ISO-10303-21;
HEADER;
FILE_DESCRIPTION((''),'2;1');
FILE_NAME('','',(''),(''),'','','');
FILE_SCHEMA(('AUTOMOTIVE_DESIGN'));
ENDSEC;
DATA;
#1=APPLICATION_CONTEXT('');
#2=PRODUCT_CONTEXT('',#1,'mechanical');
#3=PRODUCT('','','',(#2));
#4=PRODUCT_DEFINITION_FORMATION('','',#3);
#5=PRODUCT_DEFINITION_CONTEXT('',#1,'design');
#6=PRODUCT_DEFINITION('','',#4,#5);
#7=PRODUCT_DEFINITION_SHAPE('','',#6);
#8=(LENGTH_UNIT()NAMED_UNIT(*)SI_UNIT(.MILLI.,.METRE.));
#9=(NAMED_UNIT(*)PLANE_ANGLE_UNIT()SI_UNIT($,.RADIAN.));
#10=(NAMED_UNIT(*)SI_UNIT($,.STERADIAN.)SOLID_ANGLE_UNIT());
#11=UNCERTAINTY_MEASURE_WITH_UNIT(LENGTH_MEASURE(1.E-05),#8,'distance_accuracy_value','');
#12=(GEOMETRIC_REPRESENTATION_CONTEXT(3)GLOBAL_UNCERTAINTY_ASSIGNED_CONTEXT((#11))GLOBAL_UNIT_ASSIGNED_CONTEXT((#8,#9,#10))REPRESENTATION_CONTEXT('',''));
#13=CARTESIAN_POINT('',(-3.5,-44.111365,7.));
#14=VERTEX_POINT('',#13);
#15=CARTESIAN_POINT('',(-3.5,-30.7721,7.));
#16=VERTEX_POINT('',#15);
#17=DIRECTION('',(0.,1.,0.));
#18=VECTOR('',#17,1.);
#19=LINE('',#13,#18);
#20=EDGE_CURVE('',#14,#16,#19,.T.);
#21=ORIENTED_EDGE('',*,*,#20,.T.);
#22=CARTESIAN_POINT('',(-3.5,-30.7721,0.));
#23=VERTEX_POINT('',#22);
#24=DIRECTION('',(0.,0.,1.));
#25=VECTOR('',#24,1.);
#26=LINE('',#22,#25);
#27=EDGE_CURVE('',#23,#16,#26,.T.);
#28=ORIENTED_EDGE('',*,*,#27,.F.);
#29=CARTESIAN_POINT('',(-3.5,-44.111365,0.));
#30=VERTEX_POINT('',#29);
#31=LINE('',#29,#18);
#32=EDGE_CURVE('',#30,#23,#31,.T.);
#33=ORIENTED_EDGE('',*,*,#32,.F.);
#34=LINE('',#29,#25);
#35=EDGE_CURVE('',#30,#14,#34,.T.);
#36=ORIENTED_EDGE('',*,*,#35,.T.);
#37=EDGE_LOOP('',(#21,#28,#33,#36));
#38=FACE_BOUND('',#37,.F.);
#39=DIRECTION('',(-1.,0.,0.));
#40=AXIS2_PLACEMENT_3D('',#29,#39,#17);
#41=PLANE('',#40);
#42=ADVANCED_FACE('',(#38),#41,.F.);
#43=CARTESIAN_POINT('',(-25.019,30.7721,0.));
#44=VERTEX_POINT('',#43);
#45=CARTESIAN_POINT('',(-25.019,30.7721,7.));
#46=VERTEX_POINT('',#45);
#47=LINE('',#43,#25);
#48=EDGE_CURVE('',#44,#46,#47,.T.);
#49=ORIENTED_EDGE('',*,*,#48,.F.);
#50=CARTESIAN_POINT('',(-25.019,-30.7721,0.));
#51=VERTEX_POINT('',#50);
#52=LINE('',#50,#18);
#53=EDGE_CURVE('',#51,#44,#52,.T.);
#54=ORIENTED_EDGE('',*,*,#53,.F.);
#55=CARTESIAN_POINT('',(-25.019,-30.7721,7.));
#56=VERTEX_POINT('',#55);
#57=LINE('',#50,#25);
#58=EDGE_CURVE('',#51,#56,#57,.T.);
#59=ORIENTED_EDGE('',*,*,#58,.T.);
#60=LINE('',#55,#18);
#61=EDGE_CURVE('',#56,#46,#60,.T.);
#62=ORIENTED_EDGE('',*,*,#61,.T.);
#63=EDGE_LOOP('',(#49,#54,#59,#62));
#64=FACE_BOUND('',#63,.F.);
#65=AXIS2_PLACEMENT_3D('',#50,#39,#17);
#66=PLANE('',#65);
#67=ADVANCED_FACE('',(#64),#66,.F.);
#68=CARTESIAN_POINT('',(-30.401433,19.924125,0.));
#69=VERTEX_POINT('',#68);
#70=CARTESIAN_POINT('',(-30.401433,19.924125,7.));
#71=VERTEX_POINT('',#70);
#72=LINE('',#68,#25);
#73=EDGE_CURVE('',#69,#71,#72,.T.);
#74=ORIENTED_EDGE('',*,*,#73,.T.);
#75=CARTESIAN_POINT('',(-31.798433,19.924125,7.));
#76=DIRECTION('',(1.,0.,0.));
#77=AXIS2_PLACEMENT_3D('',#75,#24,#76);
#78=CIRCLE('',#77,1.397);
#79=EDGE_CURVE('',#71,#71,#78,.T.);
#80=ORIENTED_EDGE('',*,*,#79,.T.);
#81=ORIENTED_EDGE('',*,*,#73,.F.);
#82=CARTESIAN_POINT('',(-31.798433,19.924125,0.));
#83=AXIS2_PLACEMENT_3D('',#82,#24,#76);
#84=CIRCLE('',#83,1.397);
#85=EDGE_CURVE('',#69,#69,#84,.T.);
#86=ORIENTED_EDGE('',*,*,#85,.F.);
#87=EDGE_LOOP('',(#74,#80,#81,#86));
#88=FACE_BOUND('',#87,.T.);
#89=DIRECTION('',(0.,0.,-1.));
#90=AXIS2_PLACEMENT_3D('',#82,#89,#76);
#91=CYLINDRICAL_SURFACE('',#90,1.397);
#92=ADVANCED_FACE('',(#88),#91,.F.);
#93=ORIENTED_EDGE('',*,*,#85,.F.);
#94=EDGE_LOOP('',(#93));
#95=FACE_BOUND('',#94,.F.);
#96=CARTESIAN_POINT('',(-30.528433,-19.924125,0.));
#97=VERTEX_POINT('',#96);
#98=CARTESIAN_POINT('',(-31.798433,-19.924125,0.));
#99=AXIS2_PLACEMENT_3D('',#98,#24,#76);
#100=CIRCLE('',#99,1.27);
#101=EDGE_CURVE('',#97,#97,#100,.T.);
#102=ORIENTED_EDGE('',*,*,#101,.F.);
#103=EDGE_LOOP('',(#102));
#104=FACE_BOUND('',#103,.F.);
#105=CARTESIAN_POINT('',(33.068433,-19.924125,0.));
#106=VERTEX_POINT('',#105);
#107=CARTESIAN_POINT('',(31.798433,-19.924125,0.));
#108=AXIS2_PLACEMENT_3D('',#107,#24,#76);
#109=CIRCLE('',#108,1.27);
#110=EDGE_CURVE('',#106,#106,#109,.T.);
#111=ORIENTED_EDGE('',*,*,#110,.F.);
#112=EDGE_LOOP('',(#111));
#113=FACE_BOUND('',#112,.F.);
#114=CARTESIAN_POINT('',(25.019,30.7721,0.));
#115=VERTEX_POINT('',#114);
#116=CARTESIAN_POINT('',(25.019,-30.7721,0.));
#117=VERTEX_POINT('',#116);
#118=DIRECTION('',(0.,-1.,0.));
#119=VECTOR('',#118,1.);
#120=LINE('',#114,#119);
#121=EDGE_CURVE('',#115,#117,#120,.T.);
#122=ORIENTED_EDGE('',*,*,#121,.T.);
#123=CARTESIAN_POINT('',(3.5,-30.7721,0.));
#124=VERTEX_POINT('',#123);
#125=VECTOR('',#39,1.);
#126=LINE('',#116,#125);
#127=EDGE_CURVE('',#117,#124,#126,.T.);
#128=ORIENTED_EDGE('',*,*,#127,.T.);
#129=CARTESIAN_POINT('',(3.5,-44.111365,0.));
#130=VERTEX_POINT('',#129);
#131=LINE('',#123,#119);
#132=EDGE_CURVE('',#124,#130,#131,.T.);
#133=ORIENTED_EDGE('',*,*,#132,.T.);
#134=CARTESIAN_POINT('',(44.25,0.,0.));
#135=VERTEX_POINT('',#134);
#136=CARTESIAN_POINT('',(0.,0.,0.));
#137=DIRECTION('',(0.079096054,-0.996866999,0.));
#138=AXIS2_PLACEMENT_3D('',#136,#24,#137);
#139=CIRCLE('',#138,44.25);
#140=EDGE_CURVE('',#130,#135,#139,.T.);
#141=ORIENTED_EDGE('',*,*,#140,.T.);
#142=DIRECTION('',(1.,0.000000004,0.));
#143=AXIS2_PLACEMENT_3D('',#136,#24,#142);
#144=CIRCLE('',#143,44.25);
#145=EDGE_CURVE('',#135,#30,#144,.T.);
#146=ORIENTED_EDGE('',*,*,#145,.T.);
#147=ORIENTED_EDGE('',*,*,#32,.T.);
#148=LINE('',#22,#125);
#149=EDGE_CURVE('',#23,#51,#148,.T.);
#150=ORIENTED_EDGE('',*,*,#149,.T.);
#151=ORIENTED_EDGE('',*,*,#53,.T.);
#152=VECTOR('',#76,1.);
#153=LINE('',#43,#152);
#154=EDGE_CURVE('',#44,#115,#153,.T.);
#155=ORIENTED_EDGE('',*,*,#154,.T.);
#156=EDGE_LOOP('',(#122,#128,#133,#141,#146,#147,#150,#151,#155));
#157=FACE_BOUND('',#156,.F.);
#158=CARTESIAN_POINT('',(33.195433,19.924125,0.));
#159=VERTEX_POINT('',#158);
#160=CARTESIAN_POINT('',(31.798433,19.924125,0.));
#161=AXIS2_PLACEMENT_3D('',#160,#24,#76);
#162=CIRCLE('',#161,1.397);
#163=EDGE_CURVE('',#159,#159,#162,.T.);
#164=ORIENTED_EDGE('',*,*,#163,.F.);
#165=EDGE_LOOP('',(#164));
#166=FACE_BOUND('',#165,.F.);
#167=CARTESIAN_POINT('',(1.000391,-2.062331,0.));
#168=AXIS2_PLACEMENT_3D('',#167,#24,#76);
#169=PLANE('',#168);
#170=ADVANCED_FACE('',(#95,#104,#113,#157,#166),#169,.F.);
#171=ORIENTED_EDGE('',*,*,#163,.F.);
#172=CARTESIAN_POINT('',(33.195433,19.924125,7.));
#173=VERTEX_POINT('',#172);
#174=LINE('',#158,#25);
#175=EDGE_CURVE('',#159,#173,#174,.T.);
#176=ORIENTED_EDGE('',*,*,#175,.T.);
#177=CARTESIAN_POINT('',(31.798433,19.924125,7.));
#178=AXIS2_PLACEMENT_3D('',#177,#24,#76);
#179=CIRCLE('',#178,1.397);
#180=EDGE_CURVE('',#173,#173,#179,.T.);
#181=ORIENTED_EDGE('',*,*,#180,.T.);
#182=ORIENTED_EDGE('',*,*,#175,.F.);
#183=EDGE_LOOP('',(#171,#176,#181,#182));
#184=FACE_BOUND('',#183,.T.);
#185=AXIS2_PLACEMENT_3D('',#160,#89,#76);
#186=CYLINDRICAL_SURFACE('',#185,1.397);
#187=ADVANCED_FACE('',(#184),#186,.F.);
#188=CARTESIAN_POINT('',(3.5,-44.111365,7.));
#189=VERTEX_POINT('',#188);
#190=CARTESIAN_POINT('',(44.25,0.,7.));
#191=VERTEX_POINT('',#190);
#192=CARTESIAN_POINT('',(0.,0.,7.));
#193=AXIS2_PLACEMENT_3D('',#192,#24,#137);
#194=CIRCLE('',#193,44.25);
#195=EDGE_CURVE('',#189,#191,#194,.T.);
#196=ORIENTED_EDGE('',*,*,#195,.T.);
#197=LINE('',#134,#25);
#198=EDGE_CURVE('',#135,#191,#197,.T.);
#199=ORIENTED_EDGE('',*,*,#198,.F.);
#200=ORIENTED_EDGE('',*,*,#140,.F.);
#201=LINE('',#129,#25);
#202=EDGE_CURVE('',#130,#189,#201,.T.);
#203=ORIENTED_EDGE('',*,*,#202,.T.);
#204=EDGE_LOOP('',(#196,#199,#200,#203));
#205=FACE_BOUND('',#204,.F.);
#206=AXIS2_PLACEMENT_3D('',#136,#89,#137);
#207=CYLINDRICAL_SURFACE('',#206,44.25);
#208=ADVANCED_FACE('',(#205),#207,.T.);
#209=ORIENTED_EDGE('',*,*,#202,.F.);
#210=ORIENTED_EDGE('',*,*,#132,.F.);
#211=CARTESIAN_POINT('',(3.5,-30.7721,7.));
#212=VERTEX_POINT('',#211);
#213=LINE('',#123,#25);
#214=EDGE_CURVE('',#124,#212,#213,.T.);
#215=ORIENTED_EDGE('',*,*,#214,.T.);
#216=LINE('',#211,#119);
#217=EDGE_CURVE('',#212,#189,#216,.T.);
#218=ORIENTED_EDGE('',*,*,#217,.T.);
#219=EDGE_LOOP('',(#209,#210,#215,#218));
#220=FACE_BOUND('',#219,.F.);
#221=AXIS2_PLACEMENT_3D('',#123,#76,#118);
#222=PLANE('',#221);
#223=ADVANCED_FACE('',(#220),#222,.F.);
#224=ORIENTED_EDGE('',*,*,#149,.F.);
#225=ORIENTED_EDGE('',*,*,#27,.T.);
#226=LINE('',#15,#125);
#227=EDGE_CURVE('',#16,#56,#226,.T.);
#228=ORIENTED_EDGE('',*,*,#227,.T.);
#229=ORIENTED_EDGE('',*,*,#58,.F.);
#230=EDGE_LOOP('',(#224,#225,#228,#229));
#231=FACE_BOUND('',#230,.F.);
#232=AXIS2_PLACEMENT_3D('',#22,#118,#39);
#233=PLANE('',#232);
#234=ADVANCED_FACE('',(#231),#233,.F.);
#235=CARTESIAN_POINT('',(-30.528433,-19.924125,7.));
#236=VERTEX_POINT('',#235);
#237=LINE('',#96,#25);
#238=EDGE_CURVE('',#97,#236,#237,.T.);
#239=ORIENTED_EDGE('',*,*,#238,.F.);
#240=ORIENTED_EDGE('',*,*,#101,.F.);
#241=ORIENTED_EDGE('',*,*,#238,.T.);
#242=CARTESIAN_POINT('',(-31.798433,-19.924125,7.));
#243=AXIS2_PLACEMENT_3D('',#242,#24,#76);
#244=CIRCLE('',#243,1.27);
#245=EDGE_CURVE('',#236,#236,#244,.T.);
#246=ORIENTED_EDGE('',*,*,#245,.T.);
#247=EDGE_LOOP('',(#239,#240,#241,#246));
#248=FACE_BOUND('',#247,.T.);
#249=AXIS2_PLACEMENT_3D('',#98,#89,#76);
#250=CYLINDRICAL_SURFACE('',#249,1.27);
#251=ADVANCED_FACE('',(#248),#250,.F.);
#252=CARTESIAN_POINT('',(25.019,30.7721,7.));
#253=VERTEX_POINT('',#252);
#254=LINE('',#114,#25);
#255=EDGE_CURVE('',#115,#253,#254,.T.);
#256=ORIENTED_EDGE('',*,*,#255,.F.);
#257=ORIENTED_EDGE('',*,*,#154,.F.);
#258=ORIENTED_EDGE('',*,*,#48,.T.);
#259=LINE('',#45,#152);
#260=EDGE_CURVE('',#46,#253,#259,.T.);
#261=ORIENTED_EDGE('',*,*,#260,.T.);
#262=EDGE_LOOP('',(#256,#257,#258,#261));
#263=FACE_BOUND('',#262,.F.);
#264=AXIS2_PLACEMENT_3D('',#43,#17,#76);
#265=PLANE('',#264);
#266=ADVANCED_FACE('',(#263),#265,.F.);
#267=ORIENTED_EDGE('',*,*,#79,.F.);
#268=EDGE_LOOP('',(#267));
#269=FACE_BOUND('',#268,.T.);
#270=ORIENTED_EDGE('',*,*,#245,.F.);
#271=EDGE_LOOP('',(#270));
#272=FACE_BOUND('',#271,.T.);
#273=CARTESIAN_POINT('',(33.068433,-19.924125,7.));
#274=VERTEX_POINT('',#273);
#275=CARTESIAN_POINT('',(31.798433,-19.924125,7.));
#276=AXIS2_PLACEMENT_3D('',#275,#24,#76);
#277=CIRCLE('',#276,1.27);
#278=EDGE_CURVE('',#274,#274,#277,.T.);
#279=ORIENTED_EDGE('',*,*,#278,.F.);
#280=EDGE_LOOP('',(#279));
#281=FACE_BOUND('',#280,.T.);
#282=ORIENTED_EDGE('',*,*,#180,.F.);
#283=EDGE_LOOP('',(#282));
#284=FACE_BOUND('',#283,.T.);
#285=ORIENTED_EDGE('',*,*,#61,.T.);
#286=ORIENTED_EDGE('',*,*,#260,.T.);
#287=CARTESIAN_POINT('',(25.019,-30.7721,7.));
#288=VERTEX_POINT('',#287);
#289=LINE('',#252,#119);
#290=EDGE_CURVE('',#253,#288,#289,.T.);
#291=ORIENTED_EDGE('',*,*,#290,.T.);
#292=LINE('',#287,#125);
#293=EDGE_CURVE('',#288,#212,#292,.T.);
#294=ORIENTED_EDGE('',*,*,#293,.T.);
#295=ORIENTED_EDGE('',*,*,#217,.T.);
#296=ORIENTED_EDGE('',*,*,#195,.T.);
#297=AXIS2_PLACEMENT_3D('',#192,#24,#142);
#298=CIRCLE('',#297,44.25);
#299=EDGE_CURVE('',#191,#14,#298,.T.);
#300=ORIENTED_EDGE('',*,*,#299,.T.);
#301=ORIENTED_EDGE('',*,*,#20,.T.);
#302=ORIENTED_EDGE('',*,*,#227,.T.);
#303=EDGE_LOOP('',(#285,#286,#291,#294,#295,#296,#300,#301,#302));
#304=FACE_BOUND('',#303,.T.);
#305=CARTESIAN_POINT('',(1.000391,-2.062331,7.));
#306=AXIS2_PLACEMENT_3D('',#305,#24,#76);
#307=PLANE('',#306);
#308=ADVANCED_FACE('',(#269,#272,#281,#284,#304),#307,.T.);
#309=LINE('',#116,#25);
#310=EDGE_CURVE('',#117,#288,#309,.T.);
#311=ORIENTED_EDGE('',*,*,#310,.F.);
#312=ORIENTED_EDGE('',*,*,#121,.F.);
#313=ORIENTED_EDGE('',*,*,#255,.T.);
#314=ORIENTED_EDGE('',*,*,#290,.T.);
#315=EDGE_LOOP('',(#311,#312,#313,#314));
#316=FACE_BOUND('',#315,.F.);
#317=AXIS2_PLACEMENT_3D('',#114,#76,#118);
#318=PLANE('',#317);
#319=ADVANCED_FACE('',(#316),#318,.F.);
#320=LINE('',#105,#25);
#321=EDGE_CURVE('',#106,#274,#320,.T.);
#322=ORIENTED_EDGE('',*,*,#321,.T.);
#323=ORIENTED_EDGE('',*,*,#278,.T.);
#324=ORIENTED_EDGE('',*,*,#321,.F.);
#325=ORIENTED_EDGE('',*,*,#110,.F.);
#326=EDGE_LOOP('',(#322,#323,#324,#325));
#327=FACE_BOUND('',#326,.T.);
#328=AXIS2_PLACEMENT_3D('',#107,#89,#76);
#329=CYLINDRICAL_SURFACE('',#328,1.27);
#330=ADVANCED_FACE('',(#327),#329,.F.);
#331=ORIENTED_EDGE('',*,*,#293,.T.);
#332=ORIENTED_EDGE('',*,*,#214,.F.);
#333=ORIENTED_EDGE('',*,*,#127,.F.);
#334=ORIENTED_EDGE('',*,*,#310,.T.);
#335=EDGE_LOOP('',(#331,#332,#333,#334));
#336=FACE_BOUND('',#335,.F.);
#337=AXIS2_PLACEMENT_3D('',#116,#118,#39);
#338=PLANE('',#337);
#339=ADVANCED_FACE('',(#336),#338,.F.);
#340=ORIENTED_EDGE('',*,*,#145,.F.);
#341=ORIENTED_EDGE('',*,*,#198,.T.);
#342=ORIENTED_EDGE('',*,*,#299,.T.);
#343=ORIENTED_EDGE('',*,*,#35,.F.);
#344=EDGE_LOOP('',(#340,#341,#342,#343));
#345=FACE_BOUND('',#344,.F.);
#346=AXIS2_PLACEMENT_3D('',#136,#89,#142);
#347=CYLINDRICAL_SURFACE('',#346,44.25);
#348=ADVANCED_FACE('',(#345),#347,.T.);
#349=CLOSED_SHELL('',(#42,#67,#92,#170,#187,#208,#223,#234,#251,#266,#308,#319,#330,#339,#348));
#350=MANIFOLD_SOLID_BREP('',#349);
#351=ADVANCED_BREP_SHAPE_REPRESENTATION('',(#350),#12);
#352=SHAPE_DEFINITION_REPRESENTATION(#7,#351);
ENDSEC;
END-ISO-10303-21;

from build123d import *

# Parameters (mm, degrees)
F0_R     = 1.27
F0_R_2   = 1.397
F1_DEPTH = 7


with BuildPart() as f1:
    # F0 (on Top) → F1 (new body)
    with BuildSketch(Plane.XY):
        with BuildLine():
            ThreePointArc((3.5, -44.111365), (32.503365, -30.026551), (44.25, 0))
            ThreePointArc((44.25, 0), (-30.026551, 32.503365), (-3.5, -44.111365))
            Line((-3.5, -44.111365), (-3.5, -30.7721))
            Line((-3.5, -30.7721), (-25.019, -30.7721))
            Line((-25.019, -30.7721), (-25.019, 30.7721))
            Line((-25.019, 30.7721), (25.019, 30.7721))
            Line((25.019, 30.7721), (25.019, -30.7721))
            Line((25.019, -30.7721), (3.5, -30.7721))
            Line((3.5, -30.7721), (3.5, -44.111365))
        make_face()
        with Locations((-31.798433, -19.924125)):
            Circle(F0_R, mode=Mode.SUBTRACT)
        with Locations((31.798433, -19.924125)):
            Circle(F0_R, mode=Mode.SUBTRACT)
        with Locations((-31.798433, 19.924125)):
            Circle(F0_R_2, mode=Mode.SUBTRACT)
        with Locations((31.798433, 19.924125)):
            Circle(F0_R_2, mode=Mode.SUBTRACT)
    extrude(amount=F1_DEPTH)


solid = f1.part
